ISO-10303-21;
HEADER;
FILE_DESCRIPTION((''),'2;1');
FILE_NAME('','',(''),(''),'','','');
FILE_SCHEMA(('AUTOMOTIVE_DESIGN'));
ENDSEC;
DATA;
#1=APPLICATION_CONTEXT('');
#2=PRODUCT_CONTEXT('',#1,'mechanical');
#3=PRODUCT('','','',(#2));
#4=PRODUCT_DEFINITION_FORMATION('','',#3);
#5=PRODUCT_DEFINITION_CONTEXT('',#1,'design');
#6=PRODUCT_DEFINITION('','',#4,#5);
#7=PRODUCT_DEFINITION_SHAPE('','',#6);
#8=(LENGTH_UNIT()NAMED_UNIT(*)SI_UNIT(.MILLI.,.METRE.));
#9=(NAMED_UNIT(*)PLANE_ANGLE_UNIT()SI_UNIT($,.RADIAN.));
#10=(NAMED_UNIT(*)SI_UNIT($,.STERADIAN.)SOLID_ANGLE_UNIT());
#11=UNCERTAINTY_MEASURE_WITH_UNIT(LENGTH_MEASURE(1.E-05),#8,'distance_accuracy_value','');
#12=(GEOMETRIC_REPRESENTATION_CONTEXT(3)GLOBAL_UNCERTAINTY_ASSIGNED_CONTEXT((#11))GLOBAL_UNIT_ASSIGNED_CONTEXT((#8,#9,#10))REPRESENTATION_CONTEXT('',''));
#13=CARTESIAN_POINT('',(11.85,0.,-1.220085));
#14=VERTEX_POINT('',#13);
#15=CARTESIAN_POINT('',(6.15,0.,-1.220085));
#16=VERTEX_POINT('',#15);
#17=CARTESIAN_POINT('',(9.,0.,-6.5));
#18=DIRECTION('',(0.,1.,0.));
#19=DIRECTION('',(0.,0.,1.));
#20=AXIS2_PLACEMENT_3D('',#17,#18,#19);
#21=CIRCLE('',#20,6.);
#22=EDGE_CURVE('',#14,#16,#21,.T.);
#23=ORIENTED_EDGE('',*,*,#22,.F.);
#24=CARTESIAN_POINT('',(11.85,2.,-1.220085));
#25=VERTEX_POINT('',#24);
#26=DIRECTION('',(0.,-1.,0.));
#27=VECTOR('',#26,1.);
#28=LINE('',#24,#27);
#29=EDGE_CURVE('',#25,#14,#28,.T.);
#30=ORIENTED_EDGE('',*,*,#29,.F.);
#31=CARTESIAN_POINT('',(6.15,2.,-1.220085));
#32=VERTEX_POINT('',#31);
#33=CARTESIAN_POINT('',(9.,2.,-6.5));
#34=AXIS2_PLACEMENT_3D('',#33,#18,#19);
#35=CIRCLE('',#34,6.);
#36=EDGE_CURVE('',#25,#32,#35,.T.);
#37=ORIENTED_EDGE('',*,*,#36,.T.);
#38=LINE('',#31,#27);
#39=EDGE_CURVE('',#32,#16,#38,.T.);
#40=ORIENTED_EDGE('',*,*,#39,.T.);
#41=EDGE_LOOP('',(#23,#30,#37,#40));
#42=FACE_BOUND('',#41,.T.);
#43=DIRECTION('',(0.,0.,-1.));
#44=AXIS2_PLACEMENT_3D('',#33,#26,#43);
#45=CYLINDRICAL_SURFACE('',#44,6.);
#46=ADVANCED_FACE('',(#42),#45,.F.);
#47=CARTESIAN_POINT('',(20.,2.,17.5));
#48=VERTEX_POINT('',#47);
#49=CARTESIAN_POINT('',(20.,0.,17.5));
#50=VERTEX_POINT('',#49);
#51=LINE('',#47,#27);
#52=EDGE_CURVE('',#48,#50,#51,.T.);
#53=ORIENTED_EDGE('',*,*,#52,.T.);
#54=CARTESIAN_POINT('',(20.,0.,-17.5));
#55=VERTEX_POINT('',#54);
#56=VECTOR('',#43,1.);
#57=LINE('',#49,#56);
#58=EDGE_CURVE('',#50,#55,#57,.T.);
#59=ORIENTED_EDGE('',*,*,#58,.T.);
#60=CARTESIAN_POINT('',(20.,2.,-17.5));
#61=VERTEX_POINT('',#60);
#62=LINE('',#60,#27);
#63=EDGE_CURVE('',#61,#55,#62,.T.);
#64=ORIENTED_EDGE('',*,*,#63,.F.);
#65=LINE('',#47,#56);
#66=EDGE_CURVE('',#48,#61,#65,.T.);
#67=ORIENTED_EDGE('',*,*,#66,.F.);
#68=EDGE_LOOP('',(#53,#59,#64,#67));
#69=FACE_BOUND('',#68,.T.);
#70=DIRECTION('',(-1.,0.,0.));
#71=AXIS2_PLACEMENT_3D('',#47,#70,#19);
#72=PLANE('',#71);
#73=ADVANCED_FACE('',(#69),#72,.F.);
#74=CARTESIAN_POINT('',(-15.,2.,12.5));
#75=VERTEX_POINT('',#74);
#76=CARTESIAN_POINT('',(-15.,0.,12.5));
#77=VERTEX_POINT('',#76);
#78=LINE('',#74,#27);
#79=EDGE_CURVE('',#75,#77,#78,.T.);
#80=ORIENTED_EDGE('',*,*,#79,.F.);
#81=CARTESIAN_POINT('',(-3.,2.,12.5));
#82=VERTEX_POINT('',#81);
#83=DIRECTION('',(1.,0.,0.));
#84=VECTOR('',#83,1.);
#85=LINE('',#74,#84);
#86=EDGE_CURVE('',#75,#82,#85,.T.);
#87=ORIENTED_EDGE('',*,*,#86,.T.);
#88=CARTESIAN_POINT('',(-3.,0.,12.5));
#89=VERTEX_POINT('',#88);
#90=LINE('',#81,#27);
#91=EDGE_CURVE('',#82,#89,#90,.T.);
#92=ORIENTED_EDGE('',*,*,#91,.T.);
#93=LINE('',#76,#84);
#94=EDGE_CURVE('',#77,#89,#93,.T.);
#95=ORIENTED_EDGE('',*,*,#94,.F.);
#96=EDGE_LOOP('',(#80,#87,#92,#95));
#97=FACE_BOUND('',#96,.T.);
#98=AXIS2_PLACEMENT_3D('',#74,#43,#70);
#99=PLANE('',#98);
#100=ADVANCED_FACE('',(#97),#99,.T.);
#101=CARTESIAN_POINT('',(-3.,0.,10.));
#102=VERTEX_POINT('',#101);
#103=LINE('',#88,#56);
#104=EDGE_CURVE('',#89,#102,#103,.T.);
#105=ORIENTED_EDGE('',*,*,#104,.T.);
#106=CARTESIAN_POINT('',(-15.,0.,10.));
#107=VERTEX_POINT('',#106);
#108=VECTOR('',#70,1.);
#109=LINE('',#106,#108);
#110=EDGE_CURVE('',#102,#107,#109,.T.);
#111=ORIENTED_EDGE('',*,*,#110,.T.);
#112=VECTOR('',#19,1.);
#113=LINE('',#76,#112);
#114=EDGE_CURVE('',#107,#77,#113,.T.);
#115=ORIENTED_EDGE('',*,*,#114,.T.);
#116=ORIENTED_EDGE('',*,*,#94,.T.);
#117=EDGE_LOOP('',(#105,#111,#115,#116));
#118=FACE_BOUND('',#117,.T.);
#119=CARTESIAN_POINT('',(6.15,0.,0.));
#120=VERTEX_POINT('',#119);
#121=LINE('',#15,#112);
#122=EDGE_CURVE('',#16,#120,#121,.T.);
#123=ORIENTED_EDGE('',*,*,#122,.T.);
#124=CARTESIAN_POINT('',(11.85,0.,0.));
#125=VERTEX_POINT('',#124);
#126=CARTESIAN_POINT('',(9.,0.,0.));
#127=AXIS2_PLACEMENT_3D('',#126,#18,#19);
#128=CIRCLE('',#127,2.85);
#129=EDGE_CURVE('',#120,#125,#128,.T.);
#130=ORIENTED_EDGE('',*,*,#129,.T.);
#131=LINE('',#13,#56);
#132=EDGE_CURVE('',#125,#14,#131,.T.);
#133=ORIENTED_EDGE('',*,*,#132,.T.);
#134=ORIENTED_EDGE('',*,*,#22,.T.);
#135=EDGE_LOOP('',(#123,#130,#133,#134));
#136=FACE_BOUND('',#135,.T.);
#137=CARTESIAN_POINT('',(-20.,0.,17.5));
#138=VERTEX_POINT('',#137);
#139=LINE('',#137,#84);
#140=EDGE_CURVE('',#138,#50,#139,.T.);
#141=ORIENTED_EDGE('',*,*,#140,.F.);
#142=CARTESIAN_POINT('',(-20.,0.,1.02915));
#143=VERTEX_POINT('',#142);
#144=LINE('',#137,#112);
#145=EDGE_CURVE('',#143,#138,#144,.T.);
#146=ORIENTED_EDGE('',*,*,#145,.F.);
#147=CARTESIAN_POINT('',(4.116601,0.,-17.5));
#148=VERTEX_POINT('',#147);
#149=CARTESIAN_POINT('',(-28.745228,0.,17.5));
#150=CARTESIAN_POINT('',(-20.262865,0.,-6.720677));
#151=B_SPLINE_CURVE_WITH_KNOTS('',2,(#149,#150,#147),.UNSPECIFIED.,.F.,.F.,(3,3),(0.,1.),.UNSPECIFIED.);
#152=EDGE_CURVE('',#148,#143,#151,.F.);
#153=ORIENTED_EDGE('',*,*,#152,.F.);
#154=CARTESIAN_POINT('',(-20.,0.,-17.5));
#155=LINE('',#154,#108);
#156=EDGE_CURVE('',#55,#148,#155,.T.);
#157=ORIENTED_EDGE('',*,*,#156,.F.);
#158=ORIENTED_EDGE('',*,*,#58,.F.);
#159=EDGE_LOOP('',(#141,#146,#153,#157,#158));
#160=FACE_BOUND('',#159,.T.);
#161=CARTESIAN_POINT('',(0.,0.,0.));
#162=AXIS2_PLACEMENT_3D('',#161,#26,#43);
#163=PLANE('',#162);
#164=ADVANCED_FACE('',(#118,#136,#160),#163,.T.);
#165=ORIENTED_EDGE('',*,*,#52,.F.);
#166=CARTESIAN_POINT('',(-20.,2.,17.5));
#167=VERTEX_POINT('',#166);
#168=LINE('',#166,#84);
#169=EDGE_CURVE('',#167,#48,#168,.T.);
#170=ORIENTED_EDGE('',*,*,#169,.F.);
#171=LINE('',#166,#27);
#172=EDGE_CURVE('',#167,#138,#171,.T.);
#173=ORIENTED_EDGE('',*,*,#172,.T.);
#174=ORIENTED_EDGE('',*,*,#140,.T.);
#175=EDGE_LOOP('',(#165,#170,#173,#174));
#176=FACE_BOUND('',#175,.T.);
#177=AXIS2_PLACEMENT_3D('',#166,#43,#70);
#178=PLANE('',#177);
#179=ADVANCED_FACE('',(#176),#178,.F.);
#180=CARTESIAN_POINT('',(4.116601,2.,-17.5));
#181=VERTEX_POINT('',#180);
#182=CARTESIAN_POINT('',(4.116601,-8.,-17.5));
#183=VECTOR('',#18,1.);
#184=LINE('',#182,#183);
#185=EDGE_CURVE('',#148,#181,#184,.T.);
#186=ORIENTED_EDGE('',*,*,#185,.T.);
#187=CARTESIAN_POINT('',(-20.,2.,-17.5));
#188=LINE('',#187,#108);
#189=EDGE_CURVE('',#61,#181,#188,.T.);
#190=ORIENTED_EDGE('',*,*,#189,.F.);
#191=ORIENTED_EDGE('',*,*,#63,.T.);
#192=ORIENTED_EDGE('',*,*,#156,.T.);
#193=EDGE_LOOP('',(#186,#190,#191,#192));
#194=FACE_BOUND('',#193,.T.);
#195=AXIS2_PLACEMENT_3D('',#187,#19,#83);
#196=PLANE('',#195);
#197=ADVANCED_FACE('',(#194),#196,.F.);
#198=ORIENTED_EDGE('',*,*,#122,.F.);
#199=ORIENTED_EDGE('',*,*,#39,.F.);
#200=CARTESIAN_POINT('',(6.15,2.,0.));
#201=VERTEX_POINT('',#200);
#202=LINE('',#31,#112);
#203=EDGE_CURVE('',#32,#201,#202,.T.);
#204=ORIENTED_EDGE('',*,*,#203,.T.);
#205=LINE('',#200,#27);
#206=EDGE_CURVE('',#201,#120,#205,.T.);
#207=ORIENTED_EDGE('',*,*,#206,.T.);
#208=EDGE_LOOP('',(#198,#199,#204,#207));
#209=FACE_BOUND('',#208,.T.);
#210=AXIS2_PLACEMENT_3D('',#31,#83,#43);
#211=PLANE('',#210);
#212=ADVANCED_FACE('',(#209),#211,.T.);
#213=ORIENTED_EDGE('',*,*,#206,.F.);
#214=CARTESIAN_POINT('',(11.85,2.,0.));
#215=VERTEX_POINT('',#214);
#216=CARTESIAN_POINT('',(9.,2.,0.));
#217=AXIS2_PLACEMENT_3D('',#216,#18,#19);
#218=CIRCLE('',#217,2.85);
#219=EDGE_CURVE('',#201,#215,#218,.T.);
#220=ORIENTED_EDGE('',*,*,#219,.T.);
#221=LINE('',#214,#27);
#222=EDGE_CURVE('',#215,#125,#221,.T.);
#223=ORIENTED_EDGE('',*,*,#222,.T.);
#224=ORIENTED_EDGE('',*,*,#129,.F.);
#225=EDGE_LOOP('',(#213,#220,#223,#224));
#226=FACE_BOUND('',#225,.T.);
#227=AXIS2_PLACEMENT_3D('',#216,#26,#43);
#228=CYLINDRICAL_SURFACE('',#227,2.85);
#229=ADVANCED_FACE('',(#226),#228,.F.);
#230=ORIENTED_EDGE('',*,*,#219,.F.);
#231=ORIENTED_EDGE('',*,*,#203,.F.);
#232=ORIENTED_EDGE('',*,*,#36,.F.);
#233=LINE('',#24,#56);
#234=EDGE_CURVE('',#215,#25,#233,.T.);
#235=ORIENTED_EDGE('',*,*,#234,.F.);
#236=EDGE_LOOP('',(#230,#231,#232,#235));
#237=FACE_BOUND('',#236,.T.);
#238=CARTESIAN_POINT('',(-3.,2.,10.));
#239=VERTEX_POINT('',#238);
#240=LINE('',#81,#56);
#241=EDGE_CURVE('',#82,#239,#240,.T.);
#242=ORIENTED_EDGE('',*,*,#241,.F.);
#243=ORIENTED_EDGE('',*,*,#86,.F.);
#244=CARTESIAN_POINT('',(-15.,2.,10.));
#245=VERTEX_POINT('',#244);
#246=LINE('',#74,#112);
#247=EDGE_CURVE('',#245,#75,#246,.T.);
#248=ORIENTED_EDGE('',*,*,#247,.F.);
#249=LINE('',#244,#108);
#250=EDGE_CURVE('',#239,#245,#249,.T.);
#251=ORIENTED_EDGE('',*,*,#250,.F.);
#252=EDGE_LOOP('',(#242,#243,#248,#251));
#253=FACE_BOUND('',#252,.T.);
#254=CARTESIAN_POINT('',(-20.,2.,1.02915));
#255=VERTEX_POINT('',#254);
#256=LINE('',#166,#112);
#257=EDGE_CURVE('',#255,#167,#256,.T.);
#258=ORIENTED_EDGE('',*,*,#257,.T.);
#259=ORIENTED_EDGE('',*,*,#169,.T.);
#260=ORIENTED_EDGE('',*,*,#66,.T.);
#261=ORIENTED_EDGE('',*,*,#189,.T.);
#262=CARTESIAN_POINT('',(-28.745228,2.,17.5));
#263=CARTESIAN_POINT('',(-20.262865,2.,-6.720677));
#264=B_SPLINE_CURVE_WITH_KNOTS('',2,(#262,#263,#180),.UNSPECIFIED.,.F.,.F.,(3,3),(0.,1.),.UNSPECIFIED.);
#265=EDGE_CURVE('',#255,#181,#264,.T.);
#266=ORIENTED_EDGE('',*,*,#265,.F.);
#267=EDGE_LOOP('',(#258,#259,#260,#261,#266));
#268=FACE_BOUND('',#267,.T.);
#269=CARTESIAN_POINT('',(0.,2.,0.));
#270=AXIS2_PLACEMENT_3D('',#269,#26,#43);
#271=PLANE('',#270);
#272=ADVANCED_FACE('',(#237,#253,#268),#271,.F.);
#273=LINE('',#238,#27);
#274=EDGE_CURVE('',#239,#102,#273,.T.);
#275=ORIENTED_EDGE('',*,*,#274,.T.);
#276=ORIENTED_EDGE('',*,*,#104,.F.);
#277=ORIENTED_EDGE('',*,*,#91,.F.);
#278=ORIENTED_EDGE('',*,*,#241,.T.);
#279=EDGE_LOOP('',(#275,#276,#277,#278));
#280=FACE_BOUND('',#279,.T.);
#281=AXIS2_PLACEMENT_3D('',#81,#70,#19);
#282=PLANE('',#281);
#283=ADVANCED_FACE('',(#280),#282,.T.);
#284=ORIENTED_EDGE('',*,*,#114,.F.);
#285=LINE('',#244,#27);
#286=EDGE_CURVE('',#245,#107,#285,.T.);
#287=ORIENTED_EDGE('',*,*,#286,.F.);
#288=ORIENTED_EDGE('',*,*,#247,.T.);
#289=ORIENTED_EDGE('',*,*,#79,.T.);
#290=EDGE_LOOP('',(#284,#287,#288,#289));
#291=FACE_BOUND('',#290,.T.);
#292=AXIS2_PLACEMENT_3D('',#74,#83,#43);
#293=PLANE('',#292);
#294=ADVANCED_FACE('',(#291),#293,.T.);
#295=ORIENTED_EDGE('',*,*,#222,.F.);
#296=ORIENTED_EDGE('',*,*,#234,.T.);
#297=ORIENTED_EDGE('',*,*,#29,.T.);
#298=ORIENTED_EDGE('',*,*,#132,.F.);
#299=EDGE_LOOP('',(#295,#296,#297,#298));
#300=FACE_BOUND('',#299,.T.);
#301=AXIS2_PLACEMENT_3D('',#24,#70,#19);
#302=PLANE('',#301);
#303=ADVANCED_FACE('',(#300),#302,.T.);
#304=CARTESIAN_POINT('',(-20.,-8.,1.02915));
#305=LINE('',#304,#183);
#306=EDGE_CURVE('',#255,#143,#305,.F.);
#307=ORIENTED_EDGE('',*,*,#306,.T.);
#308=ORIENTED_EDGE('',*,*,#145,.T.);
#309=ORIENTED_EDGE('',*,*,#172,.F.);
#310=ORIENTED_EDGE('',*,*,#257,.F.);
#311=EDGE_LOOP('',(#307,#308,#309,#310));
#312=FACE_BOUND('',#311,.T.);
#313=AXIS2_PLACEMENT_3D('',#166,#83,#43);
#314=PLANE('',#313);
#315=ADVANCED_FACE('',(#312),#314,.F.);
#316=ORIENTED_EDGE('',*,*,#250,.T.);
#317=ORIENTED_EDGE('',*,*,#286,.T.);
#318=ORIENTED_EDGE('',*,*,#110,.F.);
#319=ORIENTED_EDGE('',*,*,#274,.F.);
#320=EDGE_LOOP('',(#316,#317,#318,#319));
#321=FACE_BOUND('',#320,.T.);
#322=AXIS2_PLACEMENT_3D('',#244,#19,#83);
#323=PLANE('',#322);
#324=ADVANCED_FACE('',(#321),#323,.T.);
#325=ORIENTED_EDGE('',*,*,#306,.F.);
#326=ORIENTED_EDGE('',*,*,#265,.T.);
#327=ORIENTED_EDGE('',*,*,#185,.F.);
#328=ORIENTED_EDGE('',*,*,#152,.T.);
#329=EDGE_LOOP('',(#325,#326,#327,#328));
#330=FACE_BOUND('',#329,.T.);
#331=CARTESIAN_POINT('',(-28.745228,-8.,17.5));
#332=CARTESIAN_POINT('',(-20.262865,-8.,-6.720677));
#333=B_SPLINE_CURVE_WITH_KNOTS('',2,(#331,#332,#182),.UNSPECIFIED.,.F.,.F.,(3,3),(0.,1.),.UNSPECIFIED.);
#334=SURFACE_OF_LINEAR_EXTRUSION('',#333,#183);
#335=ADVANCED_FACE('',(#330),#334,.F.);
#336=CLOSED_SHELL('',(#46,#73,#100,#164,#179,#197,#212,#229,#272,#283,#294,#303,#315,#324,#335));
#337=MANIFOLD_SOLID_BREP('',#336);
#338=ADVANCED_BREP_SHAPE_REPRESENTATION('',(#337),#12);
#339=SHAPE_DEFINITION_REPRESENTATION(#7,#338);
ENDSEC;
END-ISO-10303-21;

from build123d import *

# Parameters (mm, degrees)
ESQUISSE1_W             = 40
ESQUISSE1_H             = 35
ESQUISSE1_W_2           = 12
ESQUISSE1_H_2           = 2.5
BOSS_EXTRU_1_DEPTH      = 2
ENL_V_MAT_EXTRU_1_DEPTH = 10


with BuildPart() as part:
    # Esquisse1 → Boss.-Extru.1 (new body)
    with BuildSketch(Plane(origin=(0, 0, 0), x_dir=(1, 0, 0), z_dir=(0, 1, 0))):
        Rectangle(ESQUISSE1_W, ESQUISSE1_H)
        with BuildLine():
            Line((6.15, 1.220085228), (6.15, 0))
            ThreePointArc((6.15, 0), (9, -2.85), (11.85, 0))
            Line((11.85, 0), (11.85, 1.220085228))
            ThreePointArc((11.85, 1.220085228), (9, 12.5), (6.15, 1.220085228))
        make_face(mode=Mode.SUBTRACT)
        with Locations((-9, -11.25)):
            Rectangle(ESQUISSE1_W_2, ESQUISSE1_H_2, mode=Mode.SUBTRACT)
    extrude(amount=BOSS_EXTRU_1_DEPTH)

    # Esquisse2 → Enlèv. mat.-Extru.1 (cut)
    with BuildSketch(Plane(origin=(0, 2, 0), x_dir=(1, 0, 0), z_dir=(0, 1, 0))):
        with BuildLine():
            Line((-28.745227889, -17.5), (-25.633077883, 26.552925175))
            Line((-25.633077883, 26.552925175), (4.116600537, 17.5))
            add(Edge.make_bspline(
                [(4.116600537, 17.5), (-20.262864911, 6.720677368), (-28.745227889, -17.5)],
                knots=[0, 0, 0, 1, 1, 1], degree=2))
        make_face()
    extrude(amount=-ENL_V_MAT_EXTRU_1_DEPTH, mode=Mode.SUBTRACT)


solid = part.part
